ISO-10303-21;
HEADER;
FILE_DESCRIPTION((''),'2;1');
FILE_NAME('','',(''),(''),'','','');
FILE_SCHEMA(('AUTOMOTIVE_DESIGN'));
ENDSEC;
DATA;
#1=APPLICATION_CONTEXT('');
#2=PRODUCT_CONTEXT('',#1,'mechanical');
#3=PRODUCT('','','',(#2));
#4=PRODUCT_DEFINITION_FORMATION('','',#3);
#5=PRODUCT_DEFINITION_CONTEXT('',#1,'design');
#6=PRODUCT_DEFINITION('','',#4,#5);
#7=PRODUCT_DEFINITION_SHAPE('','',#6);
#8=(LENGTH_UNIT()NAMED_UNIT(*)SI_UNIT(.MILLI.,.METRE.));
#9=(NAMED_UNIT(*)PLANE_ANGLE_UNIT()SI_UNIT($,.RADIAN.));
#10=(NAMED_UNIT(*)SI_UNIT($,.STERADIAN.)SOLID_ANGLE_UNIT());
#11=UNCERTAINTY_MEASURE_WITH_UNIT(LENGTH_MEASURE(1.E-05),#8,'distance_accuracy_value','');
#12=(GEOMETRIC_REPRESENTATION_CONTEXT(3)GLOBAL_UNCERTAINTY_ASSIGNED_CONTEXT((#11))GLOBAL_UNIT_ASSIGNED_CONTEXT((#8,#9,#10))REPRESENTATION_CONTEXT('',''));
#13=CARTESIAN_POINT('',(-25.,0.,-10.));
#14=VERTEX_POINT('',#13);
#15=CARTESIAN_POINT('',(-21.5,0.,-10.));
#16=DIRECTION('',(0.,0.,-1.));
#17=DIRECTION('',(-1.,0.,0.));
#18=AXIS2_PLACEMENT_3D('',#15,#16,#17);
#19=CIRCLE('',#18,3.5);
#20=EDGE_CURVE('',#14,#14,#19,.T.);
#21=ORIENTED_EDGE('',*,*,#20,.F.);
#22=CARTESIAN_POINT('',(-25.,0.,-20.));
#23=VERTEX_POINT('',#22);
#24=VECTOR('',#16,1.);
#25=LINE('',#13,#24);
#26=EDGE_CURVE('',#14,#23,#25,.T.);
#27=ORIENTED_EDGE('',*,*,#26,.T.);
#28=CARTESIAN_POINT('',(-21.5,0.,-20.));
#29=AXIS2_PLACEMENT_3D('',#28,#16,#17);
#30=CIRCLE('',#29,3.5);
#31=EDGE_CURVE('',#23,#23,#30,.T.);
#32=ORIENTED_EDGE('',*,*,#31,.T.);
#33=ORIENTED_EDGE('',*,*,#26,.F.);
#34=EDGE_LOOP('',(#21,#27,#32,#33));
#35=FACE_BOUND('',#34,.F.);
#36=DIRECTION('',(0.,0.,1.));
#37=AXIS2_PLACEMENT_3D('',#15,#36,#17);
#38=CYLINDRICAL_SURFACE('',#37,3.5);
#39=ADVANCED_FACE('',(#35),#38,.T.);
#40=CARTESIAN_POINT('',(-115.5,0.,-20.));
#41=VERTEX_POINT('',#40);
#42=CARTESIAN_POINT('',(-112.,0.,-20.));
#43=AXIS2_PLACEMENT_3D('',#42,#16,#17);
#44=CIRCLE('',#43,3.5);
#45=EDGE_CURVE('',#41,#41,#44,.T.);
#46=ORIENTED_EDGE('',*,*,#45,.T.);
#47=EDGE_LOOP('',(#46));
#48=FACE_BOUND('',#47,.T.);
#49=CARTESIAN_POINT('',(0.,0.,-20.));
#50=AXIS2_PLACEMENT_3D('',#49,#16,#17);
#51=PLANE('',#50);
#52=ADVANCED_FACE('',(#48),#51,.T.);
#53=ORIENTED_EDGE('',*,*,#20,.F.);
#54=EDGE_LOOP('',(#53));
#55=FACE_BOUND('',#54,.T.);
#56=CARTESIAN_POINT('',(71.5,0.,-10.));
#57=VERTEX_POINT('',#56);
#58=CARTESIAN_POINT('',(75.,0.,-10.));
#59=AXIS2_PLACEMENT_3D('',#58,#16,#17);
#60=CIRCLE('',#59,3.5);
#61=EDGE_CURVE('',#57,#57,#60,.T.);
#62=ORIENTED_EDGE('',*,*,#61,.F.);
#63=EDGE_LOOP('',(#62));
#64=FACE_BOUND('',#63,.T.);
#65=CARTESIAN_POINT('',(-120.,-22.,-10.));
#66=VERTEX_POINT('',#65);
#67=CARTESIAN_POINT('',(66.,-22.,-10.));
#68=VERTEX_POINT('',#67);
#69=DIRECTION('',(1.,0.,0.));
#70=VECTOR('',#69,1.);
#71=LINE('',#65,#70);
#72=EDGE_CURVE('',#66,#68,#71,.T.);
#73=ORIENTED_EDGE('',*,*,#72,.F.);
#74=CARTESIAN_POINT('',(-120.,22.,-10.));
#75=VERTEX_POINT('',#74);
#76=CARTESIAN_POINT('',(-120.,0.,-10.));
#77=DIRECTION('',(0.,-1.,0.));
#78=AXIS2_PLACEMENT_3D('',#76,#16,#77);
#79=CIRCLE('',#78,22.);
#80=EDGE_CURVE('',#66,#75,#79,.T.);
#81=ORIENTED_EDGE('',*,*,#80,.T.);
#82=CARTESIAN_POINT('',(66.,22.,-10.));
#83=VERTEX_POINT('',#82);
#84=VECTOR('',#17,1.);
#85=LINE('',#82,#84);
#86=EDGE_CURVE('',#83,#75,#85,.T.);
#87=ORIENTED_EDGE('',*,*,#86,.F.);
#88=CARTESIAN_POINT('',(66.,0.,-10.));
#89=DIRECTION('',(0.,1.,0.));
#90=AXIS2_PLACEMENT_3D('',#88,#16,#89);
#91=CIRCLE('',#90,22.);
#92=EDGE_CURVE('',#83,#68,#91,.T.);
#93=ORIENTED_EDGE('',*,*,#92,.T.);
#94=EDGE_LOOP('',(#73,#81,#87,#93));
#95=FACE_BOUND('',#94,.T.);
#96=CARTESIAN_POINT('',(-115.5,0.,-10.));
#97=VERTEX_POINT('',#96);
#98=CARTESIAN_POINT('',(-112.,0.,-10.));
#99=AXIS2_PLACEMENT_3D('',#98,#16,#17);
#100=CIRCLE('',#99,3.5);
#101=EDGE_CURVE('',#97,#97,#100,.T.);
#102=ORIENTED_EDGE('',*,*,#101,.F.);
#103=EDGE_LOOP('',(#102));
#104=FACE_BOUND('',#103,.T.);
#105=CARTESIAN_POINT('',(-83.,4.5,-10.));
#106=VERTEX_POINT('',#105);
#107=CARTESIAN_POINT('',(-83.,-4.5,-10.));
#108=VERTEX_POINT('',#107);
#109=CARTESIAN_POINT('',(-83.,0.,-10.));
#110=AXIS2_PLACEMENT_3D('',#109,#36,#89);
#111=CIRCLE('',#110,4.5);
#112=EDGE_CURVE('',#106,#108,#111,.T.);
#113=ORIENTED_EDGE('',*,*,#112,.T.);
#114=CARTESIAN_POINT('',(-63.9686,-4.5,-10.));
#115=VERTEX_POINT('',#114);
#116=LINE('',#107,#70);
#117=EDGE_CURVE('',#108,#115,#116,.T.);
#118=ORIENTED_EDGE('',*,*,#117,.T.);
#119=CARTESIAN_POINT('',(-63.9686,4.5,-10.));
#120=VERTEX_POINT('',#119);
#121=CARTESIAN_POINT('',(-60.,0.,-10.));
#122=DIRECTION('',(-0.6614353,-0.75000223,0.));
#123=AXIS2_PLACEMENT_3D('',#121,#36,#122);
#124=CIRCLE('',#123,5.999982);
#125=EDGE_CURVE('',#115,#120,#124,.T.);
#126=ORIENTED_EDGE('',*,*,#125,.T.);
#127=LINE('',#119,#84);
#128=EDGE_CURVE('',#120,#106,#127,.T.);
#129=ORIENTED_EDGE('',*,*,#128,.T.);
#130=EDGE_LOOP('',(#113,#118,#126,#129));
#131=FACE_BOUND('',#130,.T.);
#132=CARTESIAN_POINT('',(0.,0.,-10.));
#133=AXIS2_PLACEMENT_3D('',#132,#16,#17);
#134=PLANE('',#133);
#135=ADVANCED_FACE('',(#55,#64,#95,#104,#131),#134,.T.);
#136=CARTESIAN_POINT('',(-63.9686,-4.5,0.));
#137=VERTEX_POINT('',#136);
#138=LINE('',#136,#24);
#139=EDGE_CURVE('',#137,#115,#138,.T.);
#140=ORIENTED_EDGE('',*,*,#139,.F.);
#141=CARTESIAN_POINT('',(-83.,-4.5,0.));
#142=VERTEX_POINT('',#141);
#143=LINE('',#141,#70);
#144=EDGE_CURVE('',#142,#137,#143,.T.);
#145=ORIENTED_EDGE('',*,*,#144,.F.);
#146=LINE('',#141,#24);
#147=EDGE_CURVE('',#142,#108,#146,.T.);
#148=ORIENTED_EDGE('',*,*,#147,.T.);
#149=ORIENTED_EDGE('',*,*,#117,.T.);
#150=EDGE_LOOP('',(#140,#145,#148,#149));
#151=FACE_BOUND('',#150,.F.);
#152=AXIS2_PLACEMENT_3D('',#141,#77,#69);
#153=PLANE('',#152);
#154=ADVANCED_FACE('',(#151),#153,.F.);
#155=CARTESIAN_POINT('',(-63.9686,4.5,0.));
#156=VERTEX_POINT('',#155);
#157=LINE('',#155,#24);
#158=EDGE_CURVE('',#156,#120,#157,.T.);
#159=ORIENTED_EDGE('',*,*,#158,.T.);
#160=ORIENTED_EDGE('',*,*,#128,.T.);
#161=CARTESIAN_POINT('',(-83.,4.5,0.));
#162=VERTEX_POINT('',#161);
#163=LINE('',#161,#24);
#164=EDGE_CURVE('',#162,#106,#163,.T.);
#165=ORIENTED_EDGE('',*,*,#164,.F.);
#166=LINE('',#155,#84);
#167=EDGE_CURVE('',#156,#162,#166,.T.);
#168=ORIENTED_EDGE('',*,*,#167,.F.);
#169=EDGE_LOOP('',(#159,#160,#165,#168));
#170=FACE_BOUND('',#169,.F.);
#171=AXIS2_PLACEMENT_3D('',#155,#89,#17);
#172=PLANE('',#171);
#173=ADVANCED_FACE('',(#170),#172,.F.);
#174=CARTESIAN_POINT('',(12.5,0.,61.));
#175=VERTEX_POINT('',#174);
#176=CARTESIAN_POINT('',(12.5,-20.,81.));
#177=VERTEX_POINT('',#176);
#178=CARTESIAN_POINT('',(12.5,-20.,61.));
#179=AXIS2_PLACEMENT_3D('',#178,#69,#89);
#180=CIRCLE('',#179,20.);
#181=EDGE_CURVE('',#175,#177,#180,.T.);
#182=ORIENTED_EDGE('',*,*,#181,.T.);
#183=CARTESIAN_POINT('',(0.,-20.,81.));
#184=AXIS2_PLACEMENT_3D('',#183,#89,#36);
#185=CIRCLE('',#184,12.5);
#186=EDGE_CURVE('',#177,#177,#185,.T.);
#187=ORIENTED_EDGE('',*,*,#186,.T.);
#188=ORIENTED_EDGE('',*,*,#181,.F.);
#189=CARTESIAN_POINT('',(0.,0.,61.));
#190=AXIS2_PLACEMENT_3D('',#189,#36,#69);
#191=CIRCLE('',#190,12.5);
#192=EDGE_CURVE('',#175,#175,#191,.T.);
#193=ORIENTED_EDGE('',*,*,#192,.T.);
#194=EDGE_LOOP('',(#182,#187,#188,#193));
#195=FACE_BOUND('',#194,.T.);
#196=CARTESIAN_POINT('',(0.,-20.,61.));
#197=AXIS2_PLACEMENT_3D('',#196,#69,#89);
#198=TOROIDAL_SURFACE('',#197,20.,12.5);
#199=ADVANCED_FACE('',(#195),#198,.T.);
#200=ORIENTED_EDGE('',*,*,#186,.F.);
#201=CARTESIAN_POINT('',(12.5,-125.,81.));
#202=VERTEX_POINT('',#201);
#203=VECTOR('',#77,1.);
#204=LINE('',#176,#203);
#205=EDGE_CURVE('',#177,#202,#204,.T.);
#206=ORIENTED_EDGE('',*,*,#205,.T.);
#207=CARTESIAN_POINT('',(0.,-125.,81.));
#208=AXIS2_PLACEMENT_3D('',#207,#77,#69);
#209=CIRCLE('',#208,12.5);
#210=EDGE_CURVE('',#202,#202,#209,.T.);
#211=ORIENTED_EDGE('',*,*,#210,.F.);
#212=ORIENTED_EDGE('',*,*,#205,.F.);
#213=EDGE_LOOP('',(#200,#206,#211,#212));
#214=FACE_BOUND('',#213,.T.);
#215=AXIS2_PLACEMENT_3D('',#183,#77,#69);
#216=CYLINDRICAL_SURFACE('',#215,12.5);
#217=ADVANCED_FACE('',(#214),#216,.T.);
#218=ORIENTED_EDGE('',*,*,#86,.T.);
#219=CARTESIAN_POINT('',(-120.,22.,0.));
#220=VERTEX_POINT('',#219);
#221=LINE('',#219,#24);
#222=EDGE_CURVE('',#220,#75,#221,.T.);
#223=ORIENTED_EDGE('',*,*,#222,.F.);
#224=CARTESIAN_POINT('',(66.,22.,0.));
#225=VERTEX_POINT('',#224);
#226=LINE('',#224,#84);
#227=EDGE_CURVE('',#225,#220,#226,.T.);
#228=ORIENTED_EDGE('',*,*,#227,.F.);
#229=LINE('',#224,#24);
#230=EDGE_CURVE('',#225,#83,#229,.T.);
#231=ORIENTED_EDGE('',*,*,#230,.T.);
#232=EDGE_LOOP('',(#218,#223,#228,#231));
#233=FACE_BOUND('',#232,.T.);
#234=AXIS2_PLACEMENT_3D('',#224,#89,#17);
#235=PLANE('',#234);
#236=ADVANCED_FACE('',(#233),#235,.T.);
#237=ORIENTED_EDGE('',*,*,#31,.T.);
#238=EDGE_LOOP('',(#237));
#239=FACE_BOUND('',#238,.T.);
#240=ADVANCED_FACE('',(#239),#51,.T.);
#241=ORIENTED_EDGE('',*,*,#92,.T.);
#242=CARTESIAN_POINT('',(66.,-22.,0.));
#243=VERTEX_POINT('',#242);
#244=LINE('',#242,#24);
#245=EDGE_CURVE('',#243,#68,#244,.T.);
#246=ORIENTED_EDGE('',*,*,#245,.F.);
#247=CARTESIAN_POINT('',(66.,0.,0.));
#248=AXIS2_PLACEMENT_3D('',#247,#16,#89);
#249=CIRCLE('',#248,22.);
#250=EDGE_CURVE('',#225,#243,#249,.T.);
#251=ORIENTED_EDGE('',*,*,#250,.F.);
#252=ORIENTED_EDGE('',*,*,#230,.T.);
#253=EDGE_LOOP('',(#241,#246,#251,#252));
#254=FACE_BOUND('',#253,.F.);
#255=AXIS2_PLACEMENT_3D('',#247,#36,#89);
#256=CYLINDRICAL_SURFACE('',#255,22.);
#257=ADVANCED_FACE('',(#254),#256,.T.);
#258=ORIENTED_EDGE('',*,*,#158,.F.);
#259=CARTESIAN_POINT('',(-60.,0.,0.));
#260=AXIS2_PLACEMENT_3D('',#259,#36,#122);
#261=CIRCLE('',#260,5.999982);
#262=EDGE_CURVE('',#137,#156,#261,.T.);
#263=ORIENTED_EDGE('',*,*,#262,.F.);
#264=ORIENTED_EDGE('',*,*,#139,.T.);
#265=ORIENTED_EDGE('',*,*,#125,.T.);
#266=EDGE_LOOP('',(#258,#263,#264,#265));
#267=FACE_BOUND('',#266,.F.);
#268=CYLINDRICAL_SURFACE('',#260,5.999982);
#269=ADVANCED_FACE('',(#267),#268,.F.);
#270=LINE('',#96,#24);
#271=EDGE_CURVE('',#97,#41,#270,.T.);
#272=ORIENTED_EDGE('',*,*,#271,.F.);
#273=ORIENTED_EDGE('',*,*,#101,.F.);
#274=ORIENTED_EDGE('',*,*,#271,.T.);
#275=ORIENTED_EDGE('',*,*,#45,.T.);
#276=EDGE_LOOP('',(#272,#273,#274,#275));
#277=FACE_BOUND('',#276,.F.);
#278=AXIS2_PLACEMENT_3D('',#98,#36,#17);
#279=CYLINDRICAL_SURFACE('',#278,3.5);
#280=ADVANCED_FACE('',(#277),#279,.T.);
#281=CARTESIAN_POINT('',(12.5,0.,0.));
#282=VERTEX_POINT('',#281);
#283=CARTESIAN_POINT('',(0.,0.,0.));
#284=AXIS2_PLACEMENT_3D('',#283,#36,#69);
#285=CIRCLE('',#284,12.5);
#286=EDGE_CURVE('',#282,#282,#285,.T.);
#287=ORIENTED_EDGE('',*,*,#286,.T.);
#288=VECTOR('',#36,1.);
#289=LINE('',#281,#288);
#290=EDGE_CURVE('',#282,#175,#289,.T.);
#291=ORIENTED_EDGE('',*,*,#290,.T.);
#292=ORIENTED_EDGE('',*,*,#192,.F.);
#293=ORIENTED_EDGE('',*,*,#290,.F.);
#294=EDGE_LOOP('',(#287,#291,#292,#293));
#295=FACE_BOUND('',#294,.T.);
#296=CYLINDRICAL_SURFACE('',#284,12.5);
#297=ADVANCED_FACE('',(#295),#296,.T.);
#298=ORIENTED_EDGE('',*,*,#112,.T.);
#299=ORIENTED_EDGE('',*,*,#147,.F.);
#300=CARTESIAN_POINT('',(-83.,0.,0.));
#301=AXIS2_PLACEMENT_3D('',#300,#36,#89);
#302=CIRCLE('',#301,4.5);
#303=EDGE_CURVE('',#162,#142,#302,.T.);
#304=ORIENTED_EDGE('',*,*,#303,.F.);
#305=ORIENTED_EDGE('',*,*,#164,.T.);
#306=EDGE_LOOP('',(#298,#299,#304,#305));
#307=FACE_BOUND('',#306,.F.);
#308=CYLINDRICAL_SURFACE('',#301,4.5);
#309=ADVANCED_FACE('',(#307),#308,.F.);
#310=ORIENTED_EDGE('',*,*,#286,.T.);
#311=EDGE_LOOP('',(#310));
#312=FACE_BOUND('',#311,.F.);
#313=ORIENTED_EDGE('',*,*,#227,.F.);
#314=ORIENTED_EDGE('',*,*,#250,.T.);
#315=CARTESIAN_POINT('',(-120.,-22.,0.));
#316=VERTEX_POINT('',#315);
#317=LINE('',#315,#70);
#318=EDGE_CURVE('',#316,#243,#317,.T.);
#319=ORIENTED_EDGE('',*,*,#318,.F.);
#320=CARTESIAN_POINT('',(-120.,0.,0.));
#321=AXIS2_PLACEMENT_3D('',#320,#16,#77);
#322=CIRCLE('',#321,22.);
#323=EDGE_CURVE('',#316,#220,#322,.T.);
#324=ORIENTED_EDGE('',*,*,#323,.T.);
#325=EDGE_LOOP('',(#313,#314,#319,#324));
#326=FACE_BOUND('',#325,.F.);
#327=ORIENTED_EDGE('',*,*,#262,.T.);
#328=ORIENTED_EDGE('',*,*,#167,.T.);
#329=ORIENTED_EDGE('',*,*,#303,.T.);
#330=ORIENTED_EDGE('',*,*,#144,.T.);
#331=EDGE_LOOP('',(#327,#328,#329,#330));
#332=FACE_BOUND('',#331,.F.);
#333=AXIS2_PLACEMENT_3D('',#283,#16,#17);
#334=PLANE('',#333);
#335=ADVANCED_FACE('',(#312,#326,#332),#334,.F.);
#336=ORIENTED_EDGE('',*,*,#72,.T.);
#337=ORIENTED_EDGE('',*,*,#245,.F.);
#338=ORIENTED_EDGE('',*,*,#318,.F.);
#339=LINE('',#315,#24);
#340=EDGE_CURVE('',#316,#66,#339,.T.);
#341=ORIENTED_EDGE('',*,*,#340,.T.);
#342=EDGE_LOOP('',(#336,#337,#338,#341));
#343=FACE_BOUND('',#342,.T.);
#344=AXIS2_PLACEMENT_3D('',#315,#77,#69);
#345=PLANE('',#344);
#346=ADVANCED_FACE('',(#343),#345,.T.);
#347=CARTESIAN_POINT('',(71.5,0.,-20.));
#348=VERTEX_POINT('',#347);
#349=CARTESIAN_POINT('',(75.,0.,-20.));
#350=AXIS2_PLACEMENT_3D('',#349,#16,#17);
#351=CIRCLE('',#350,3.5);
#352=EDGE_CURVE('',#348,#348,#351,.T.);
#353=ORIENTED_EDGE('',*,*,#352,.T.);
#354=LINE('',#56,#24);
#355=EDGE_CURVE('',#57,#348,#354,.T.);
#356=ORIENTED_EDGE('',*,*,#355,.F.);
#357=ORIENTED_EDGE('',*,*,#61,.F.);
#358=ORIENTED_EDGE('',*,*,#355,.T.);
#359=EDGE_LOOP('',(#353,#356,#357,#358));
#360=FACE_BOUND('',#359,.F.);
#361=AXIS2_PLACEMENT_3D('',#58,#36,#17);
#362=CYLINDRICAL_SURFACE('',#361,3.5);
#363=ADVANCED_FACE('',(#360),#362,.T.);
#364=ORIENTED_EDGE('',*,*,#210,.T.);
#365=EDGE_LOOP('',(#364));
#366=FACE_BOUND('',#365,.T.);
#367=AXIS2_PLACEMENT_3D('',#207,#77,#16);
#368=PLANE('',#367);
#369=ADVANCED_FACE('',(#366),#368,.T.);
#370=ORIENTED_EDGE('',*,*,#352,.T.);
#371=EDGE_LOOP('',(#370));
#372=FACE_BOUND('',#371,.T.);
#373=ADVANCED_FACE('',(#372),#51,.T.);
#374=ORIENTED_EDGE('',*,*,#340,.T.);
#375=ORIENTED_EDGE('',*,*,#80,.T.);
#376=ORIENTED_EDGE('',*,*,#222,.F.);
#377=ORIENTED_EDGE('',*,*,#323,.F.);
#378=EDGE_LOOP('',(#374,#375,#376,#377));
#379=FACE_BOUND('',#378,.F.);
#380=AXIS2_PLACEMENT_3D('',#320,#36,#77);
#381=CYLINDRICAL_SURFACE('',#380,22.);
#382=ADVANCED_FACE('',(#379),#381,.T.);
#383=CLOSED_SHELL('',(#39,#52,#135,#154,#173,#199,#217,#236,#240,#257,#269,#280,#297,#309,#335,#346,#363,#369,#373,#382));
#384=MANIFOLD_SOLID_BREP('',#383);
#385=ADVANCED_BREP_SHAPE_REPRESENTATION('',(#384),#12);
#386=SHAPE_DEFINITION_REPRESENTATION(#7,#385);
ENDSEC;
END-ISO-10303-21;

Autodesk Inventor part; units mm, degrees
ref_plane "YZ Plane" through (0, 0, 0) normal (1, 0, 0) x (0, 1, 0)
ref_plane "XZ Plane" through (0, 0, 0) normal (0, 1, 0) x (-1, 0, 0)
sketch "Sketch1" plane through (0, 0, 0) normal (0, 0, 1) x (1, 0, 0)
  circle A0 centre (0, 0) radius 12.5
  dimension "d0" = 25
sketch "Sketch2" plane through (0, 0, 0) normal (1, 0, 0) x (0, 1, 0)
  line L0 (0, 0) -> (0, 61)
  arc A0 (0, 61) -> (-20, 81) centre (-20, 61) ccw
  line L1 (-20, 81) -> (-125, 81)
  dimension "d1" = 61
  dimension "d28" = 20
  dimension "d29" = 105
ref_plane "Work Plane1" through (0, 0, 61) normal (0, 0, 1) x (1, 0, 0)
sweep "Sweep2" add profiles "Sketch1" path "Sketch2"
sketch "Sketch4" plane through (0, 0, 0) normal (0, 0, -1) x (-1, 0, 0)
  line L0 (-66, 0) -> (120, 0) construction
  line L1 (-66, 22) -> (120, 22)
  line L2 (120, -22) -> (-66, -22)
  arc A0 (-66, 22) -> (-66, -22) centre (-66, 0) ccw
  arc A1 (120, -22) -> (120, 22) centre (120, 0) ccw
  circle A2 centre (0, 0) radius 12.5 projected
  point P0 (27, 0)
  point P1 (27, 0)
  point P2 (142, 0)
  point P3 (-88, 0)
  dimension "d10" = 44
  dimension "d12" = 88
  dimension "d13" = 230
extrude "Extrusion1" add sketch "Sketch4" along normal blind 10 contours L1 A1 L2 A0 | A2
sketch "Sketch5" plane through (0, 0, -10) normal (0, 0, -1) x (-1, 0, 0)
  circle A0 centre (-75, 0) radius 3.5
  circle A1 centre (21.5, 0) radius 3.5
  circle A2 centre (112, 0) radius 3.5
  circle A3 centre (0, 0) radius 12.5 projected
  dimension "d16" = 7
  dimension "d17" = 21.5
  dimension "d18" = 75
  dimension "d19" = 90.5
extrude "Extrusion2" add sketch "Sketch5" along normal blind 10 contours A0 | A1 | A2
sketch "Sketch6" plane through (0, 0, 0) normal (0, 0, 1) x (1, 0, 0)
  arc A0 (-63.9686, -4.5) -> (-63.9686, 4.5) centre (-60, 0) ccw
  circle A1 centre (0, 0) radius 12.5 projected
  line L0 (-63.9686, 4.5) -> (-83, 4.5)
  arc A2 (-83, 4.5) -> (-83, -4.5) centre (-83, 0) ccw
  line L1 (-83, -4.5) -> (-63.9686, -4.5)
  arc A3 (-120, 22) -> (-120, -22) centre (-120, 0) ccw projected
  point P0 (-142, 0)
  dimension "d22" = 12
  dimension "d23" = 60
  dimension "d24" = 4.5
  dimension "d25" = 23
extrude "Extrusion3" cut sketch "Sketch6" against normal blind 10 contours L1 A2 L0 A0
properties part number "garnitur_lang_links"
